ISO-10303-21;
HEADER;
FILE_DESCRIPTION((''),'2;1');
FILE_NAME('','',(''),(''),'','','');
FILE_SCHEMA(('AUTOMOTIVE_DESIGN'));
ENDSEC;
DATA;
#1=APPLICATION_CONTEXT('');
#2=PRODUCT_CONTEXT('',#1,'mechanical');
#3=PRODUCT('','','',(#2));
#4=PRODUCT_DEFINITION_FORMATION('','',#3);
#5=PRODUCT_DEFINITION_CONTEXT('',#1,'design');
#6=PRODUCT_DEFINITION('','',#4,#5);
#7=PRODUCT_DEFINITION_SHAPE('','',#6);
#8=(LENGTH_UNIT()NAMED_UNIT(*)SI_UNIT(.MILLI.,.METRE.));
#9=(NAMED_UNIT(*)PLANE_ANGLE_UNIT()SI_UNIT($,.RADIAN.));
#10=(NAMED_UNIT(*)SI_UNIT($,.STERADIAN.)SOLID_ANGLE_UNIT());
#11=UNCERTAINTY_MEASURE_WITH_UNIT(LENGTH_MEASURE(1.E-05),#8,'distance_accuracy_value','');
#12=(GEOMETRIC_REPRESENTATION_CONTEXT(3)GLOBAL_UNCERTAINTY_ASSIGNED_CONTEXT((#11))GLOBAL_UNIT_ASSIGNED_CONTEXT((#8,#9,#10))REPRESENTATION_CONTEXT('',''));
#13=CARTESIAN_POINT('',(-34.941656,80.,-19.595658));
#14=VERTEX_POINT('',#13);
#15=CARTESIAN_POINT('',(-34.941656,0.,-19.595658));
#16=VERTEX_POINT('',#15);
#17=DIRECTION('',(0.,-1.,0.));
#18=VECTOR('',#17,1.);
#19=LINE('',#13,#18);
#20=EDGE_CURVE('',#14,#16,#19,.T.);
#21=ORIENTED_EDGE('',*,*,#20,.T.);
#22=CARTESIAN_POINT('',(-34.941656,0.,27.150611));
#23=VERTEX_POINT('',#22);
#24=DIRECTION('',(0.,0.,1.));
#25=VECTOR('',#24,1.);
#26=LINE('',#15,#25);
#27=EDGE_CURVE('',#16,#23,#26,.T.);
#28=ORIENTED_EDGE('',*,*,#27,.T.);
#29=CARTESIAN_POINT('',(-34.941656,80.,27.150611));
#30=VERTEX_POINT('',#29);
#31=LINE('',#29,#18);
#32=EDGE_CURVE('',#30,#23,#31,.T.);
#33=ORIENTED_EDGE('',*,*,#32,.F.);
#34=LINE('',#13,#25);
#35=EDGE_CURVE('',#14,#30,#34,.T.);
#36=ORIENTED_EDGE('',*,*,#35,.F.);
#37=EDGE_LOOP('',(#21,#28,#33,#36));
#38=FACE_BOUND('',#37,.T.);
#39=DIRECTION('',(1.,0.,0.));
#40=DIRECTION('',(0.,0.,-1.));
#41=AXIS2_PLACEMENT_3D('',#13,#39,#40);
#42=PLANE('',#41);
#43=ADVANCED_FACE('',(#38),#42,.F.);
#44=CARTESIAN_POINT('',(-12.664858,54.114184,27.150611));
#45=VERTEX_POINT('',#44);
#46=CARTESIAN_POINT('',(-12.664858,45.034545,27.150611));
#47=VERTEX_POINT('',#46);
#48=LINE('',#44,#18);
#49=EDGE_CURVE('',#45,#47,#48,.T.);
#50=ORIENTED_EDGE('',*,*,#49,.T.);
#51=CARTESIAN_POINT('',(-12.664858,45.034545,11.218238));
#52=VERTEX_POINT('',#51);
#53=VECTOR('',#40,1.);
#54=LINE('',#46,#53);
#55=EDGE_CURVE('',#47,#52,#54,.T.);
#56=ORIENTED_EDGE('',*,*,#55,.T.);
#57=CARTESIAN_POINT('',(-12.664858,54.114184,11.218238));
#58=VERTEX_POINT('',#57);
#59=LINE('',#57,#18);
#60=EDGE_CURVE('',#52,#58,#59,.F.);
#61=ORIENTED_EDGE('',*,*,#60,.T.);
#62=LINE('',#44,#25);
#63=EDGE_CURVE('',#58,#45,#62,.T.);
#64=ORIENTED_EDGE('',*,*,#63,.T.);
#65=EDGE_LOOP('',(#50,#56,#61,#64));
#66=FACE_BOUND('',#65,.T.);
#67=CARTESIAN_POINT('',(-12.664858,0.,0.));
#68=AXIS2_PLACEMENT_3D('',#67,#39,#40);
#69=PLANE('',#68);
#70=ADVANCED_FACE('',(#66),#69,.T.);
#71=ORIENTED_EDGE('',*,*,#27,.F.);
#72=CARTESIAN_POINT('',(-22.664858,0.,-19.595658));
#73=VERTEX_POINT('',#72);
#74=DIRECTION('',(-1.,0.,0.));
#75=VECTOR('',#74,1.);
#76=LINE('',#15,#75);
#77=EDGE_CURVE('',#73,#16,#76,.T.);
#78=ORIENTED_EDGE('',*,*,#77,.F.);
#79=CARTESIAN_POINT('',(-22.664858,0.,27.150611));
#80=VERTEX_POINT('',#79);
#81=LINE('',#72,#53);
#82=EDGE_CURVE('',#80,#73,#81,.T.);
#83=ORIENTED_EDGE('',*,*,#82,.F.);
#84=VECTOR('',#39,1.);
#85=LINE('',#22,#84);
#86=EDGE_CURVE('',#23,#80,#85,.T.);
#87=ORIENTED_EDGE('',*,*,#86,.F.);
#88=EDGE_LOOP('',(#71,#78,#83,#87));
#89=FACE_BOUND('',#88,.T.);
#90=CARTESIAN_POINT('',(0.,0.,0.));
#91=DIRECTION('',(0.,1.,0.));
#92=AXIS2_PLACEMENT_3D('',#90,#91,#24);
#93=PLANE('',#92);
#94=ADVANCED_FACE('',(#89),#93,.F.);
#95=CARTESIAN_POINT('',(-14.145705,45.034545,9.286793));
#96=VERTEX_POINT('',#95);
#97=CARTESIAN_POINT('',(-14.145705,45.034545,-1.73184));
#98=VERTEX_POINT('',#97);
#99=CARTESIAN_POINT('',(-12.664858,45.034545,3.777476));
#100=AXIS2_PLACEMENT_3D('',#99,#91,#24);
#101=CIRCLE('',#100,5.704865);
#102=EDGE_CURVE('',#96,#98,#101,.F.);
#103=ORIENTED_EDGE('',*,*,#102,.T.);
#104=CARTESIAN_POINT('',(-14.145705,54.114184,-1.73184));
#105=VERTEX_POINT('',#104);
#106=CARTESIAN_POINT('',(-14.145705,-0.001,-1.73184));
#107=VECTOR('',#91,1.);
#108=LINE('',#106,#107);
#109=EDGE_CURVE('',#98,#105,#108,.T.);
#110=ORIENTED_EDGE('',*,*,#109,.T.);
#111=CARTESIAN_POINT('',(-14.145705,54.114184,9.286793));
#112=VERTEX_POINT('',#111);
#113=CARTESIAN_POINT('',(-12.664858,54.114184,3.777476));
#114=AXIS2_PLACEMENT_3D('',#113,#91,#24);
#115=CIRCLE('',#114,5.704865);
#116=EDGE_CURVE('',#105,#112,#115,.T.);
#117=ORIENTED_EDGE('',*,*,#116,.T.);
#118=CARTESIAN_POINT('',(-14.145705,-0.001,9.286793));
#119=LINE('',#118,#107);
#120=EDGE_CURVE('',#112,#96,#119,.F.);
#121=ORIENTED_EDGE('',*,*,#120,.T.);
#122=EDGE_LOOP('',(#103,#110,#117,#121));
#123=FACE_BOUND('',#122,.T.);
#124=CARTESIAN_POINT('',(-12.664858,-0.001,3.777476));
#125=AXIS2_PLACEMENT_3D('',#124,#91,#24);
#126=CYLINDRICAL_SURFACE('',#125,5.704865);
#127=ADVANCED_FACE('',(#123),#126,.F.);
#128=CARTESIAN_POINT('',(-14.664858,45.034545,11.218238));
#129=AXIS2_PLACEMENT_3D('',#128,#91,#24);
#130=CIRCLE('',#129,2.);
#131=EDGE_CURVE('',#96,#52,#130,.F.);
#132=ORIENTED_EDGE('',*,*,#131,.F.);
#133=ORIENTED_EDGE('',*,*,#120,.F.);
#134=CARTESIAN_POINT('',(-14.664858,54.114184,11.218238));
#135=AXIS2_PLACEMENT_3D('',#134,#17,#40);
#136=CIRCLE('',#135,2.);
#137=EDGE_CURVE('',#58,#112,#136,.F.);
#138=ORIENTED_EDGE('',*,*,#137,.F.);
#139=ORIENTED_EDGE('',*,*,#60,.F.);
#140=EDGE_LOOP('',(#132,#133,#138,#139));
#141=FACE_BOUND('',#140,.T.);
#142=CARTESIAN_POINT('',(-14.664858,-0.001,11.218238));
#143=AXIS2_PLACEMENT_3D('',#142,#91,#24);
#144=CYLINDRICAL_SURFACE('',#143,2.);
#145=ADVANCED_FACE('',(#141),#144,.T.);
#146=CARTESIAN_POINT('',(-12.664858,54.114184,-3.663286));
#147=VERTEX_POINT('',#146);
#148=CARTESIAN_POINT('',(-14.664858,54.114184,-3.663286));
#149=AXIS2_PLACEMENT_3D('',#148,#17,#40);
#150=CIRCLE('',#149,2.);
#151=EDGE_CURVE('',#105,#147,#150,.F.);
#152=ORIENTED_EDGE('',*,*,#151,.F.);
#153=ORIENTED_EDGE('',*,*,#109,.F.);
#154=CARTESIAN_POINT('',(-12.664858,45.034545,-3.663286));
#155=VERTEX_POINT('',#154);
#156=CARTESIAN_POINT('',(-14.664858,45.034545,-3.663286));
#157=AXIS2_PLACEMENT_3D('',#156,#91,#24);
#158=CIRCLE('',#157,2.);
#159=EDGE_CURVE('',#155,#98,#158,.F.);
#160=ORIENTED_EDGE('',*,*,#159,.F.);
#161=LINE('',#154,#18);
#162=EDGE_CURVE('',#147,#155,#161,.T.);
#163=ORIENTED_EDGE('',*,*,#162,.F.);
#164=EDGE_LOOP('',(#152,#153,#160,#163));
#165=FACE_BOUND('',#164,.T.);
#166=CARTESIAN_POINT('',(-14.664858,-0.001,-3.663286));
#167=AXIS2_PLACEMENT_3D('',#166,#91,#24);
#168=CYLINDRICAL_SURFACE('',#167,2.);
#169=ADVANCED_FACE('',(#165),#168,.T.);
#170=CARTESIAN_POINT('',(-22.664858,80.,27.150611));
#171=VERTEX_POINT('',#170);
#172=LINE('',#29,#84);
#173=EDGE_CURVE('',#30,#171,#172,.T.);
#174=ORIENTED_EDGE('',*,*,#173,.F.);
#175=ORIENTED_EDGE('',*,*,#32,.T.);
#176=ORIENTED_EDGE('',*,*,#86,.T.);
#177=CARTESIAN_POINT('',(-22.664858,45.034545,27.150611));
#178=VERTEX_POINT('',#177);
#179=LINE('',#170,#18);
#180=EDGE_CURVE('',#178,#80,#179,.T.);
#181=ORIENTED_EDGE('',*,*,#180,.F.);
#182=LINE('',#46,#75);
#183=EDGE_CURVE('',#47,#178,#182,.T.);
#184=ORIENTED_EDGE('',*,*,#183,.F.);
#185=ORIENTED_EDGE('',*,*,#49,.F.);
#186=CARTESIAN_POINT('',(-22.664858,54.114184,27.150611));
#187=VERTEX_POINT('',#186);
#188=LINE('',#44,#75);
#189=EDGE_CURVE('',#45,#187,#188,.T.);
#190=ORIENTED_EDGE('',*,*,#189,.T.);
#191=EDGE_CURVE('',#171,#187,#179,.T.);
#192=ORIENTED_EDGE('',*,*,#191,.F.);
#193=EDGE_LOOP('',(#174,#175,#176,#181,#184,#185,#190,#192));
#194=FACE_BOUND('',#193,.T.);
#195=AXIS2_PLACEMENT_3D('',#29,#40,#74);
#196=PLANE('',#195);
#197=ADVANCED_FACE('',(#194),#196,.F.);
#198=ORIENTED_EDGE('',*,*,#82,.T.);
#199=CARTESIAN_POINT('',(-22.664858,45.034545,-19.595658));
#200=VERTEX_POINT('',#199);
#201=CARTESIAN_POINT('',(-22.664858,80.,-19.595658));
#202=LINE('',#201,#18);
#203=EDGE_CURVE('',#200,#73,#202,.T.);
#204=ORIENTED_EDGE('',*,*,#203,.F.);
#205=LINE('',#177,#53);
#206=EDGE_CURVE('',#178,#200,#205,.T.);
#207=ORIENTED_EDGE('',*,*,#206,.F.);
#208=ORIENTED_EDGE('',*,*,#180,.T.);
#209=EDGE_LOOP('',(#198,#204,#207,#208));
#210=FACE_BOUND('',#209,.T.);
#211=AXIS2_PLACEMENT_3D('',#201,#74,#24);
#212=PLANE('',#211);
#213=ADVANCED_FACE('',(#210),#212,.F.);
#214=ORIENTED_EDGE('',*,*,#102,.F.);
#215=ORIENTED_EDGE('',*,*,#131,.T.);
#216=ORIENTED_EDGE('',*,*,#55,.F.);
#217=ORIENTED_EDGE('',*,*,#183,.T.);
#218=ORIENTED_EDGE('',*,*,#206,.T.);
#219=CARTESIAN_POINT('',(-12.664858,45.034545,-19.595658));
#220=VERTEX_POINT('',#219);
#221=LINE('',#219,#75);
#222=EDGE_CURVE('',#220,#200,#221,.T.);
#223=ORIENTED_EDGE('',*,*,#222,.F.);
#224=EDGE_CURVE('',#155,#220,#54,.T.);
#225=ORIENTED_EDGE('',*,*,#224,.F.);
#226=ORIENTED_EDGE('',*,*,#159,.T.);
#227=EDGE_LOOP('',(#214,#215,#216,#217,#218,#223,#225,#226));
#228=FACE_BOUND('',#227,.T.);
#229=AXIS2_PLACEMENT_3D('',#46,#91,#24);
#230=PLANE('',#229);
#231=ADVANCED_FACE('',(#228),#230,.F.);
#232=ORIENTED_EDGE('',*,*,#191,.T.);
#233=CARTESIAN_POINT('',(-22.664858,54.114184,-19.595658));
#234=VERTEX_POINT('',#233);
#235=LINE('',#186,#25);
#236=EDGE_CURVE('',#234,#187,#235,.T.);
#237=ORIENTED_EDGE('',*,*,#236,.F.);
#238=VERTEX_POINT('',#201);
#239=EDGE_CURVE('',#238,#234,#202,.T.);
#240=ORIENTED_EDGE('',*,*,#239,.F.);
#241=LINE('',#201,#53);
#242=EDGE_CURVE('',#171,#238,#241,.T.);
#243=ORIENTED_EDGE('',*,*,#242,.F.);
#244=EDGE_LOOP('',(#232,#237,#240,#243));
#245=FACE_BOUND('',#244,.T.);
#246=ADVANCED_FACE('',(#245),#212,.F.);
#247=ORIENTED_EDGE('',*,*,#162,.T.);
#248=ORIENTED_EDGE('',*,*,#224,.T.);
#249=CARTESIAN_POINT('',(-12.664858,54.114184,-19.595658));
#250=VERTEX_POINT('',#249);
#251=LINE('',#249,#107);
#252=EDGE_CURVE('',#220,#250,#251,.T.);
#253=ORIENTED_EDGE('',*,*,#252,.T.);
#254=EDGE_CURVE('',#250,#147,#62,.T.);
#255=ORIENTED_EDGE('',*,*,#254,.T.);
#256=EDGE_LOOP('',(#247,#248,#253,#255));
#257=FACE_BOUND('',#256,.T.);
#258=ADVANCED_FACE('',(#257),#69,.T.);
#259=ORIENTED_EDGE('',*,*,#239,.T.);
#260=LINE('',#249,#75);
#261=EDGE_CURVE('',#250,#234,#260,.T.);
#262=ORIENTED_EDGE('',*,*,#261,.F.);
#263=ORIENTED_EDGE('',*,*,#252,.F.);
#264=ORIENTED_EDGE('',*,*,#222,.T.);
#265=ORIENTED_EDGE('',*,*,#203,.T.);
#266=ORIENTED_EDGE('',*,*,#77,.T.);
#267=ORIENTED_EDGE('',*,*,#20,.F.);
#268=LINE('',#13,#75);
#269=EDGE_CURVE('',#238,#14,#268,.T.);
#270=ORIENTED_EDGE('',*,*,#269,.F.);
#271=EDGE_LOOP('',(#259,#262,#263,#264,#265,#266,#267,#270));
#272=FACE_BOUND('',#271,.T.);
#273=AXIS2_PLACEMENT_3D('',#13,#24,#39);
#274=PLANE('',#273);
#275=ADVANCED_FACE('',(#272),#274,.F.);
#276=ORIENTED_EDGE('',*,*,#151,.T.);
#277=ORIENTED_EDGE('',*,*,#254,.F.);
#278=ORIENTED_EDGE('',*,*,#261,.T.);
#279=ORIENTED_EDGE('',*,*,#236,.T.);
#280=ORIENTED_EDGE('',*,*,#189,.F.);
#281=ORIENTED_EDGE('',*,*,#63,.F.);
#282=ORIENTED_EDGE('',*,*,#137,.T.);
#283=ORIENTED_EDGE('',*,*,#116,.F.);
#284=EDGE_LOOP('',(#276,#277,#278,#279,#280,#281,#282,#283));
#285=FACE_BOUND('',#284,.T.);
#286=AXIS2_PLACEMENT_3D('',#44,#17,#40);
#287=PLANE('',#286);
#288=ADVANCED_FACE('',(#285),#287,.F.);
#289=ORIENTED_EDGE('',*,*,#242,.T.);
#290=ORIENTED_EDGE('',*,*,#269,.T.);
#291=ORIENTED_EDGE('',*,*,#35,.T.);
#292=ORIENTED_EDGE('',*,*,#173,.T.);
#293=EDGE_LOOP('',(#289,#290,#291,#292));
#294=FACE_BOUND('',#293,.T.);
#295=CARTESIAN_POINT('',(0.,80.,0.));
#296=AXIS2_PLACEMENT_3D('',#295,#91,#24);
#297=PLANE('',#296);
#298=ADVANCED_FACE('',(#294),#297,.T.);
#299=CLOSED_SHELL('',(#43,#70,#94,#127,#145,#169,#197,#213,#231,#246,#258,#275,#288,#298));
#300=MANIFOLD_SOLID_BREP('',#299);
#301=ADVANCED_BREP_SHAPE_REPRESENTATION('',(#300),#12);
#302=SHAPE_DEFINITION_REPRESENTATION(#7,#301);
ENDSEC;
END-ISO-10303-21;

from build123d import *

# Parameters (mm, degrees)
SKETCH1_W           = 12.276797887
SKETCH1_H           = 46.74626888
BOSS_EXTRUDE1_DEPTH = 80
SKETCH8_W           = 46.74626888
SKETCH8_H           = 9.079638953
BOSS_EXTRUDE2_DEPTH = 10
CUT_EXTRUDE1_REACH  = 71.903
SKETCH10_R          = 5.704864585
FILLET1_R           = 2


with BuildPart() as part:
    # Sketch1 → Boss-Extrude1 (new body)
    with BuildSketch(Plane(origin=(0, 0, 0), x_dir=(1, 0, 0), z_dir=(0, 1, 0))):
        with Locations((-28.803256583, -3.777476273)):
            Rectangle(SKETCH1_W, SKETCH1_H)
    extrude(amount=BOSS_EXTRUDE1_DEPTH)

    # Sketch8 → Boss-Extrude2 (add)
    with BuildSketch(Plane(origin=(-22.664857639, 0, 0), x_dir=(0, 0, -1), z_dir=(1, 0, 0))):
        with Locations((-3.777476273, 49.574364566)):
            Rectangle(SKETCH8_W, SKETCH8_H)
    extrude(amount=BOSS_EXTRUDE2_DEPTH)

    # Sketch10 → Cut-Extrude1 (cut, up to next)
    with BuildSketch(Plane(origin=(0, 54.114184042, 0), x_dir=(1, 0, 0), z_dir=(0, 1, 0)), mode=Mode.PRIVATE) as cut_extrude1_sk1:
        with Locations((-12.664857639, -3.777476273)):
            Circle(SKETCH10_R)
    cut_extrude1_tool1 = extrude(cut_extrude1_sk1.sketch, amount=-CUT_EXTRUDE1_REACH, mode=Mode.PRIVATE) & part.part
    add(cut_extrude1_tool1.solids().sort_by_distance((-12.664858, 54.114184, 3.777476))[0], mode=Mode.SUBTRACT)

    # Fillet1
    fillet1_edges = [part.edges().sort_by_distance(p)[0] for p in [
        (-12.664857639, 49.574364566, -1.927388312),
        (-12.664857639, 49.574364566, 9.482340858),
    ]]
    fillet(fillet1_edges, radius=FILLET1_R)


solid = part.part
